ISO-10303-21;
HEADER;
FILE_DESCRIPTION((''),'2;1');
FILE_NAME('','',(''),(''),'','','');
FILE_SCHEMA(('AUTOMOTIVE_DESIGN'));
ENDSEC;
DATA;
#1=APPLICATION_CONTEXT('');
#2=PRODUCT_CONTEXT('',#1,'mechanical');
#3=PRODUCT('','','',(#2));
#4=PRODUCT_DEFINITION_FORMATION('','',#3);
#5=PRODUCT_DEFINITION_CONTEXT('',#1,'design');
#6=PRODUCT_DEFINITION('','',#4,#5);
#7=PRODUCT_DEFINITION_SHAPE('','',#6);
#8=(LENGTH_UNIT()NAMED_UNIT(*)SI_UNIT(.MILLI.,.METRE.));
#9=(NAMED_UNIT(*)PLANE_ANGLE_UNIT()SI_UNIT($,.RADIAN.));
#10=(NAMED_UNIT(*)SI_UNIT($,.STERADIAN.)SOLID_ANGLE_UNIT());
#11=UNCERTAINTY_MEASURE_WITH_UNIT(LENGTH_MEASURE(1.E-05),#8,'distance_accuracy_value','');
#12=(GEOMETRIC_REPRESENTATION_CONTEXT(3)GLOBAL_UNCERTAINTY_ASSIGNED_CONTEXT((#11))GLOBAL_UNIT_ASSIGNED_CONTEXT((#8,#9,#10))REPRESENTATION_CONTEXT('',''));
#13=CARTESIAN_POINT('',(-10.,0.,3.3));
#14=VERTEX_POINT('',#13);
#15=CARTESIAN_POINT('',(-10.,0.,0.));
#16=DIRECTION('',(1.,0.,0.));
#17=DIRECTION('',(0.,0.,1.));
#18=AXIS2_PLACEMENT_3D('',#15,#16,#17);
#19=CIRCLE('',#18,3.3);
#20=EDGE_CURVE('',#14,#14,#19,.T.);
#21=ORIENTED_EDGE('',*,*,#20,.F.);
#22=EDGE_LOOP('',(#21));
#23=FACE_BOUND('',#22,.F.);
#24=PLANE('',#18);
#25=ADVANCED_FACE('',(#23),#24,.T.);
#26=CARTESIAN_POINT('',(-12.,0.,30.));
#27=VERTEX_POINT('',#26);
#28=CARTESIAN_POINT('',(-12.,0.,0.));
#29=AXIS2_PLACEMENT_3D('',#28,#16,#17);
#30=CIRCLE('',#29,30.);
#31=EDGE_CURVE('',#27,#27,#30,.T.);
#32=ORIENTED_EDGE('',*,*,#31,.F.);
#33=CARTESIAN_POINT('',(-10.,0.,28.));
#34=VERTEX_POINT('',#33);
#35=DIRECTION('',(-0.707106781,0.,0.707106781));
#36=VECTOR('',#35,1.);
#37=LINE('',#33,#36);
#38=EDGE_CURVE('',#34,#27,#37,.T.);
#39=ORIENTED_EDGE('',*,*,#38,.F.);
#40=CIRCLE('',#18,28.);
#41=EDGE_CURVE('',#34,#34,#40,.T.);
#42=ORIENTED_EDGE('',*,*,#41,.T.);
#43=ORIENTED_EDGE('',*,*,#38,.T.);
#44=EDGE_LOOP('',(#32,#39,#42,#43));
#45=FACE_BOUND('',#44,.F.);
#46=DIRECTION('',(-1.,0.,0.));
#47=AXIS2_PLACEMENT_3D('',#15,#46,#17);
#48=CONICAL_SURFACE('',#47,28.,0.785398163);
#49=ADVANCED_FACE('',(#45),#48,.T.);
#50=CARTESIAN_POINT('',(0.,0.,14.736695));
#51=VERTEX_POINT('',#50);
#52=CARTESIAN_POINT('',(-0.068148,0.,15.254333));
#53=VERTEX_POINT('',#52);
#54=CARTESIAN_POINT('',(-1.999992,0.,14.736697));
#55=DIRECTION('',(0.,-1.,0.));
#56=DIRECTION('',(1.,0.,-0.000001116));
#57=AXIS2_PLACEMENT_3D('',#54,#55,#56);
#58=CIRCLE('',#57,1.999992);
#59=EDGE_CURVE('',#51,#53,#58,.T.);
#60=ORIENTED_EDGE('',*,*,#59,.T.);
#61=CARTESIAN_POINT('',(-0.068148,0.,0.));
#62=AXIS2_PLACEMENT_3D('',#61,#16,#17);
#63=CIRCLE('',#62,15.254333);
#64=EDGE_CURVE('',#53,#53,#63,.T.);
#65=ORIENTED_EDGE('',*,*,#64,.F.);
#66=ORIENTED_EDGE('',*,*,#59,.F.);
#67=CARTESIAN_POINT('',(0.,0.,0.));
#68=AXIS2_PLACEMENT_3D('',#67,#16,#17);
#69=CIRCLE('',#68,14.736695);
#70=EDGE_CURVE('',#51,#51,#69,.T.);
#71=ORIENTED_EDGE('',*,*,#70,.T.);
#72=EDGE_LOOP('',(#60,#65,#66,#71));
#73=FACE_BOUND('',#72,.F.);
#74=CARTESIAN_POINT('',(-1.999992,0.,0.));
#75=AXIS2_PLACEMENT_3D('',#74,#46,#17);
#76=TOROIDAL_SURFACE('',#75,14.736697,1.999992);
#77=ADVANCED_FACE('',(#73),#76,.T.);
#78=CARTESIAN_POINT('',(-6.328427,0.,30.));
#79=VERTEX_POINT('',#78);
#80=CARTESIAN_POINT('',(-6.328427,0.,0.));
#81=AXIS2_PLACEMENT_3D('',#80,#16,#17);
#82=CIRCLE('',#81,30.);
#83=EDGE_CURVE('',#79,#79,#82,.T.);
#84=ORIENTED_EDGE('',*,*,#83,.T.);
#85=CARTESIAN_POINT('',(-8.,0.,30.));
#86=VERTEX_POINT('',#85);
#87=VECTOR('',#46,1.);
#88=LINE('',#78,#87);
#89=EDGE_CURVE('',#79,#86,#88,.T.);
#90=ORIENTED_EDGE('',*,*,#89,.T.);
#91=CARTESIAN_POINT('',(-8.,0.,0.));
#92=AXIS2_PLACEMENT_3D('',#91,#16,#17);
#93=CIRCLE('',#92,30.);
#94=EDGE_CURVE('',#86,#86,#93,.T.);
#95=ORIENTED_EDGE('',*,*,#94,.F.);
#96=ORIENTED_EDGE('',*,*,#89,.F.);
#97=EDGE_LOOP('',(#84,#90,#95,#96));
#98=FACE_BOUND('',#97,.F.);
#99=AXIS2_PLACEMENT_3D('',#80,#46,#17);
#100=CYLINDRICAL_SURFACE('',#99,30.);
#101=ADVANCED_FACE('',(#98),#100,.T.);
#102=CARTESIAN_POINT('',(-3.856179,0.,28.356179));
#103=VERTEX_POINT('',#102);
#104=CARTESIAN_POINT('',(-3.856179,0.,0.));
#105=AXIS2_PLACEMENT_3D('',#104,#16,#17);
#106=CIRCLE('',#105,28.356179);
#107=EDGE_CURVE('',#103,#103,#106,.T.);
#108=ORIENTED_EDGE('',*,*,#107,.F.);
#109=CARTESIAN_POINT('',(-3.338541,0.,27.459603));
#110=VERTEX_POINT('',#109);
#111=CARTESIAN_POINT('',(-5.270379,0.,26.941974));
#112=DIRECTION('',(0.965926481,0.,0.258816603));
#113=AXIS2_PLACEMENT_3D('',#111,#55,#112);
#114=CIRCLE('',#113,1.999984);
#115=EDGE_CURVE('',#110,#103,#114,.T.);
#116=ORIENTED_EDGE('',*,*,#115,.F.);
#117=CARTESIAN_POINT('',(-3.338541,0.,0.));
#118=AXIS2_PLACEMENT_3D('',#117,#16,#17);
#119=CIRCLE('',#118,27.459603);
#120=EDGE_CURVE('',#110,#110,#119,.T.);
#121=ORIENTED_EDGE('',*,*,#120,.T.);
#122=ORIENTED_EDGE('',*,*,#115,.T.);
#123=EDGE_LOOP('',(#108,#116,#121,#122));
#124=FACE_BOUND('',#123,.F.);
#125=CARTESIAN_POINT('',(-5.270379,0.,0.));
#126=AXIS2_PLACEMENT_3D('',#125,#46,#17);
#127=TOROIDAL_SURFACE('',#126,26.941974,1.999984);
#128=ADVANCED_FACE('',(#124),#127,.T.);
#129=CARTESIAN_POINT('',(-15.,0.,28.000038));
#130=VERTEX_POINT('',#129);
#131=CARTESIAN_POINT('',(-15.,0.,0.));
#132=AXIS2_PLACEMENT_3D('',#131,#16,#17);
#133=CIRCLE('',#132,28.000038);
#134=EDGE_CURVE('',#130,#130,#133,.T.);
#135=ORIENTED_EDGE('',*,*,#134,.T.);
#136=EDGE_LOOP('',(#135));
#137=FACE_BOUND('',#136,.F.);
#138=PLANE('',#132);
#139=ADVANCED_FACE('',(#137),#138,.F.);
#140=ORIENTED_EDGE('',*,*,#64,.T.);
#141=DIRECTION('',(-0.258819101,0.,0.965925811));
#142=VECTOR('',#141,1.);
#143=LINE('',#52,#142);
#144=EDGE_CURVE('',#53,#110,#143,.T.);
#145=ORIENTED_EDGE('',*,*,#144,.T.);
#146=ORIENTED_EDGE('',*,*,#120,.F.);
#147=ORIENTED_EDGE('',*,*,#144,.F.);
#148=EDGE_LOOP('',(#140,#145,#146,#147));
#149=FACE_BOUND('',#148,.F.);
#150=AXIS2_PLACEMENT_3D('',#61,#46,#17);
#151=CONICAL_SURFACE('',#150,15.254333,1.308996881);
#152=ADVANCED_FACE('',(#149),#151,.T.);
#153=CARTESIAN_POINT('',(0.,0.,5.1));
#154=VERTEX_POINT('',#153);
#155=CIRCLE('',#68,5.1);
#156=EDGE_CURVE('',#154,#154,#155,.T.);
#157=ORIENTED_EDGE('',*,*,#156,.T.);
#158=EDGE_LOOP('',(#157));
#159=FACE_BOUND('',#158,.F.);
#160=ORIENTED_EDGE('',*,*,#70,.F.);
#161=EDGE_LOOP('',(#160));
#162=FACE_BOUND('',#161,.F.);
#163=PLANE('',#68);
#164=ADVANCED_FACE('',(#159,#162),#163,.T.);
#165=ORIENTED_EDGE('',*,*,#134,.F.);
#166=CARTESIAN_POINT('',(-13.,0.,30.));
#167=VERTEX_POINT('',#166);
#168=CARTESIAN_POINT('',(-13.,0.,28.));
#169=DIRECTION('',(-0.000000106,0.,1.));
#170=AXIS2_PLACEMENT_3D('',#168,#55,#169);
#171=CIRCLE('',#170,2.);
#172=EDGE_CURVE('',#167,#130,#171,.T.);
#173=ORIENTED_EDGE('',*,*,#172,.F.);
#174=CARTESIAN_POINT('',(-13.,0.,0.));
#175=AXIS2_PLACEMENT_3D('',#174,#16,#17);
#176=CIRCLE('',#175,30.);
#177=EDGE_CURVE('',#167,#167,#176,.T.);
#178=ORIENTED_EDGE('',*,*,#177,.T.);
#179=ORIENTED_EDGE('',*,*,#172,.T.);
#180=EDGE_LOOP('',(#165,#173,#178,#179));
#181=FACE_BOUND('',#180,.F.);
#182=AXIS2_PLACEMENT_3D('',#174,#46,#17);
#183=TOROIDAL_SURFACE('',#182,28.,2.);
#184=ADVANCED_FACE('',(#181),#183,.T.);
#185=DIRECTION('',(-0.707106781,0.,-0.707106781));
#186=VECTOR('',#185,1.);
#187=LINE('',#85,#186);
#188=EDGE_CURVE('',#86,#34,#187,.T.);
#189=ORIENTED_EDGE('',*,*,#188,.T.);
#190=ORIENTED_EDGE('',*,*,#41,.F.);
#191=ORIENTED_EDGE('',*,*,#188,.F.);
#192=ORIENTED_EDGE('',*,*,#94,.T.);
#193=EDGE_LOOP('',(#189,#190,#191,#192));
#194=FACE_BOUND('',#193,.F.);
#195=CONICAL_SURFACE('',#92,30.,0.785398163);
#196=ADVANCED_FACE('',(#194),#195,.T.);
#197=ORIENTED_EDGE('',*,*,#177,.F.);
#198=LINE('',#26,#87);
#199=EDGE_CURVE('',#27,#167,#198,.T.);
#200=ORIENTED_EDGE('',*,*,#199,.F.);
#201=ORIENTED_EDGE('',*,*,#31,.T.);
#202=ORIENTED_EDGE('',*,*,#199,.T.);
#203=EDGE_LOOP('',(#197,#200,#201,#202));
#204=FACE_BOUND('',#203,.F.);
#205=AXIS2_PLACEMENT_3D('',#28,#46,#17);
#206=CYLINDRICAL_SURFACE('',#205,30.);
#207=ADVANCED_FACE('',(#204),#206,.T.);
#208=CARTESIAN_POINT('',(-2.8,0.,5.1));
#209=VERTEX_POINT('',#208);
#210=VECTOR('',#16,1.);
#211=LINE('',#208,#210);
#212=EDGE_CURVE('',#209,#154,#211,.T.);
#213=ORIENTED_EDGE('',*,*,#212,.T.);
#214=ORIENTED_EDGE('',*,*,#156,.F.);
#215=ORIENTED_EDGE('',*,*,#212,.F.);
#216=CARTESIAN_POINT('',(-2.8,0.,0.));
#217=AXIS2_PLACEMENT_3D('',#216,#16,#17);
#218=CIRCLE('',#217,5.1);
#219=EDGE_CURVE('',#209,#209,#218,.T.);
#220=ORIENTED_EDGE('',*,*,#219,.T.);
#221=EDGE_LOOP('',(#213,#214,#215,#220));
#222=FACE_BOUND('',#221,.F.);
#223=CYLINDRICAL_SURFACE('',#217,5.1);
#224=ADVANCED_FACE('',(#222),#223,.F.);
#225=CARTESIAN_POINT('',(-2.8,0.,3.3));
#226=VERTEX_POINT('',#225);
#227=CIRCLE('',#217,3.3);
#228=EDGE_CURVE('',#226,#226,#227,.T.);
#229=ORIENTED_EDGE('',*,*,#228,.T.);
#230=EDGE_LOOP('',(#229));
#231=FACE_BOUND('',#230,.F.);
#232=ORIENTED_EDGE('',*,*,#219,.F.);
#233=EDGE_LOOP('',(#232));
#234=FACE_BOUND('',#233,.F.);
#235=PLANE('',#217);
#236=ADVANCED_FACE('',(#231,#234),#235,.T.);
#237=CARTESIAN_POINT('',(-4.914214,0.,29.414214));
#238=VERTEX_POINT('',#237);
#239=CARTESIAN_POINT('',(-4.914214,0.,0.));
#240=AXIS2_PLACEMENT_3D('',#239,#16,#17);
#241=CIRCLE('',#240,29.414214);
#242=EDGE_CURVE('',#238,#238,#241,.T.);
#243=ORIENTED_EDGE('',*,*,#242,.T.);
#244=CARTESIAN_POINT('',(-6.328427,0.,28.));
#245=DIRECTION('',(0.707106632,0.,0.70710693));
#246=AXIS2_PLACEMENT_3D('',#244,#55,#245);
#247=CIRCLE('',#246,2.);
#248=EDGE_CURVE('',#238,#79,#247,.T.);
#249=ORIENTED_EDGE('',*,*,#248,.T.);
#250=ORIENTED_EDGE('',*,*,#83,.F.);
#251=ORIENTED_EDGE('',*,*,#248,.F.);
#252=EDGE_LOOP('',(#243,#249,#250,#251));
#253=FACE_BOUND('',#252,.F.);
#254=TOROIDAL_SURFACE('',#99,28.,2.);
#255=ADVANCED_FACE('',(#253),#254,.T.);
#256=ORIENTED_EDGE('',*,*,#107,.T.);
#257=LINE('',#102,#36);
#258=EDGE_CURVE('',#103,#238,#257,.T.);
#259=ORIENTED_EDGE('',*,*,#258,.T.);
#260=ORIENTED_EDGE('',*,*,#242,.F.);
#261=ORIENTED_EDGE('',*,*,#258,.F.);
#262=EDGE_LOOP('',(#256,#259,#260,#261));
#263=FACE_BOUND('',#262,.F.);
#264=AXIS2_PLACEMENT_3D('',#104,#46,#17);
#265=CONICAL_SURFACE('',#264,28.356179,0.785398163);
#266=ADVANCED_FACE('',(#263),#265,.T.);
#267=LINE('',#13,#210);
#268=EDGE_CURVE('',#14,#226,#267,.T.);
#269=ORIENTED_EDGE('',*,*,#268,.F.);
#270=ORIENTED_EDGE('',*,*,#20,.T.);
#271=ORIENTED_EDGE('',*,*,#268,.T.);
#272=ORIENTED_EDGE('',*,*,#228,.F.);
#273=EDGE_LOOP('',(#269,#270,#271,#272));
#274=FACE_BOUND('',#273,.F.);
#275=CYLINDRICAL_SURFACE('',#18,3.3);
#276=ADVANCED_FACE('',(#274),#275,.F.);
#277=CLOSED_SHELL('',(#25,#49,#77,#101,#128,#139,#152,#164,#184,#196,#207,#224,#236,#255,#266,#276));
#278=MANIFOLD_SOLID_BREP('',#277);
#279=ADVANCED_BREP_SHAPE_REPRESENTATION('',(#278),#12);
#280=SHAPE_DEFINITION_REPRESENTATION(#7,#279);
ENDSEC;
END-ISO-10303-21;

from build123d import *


with BuildPart() as f1:
    # F0 (on Front) → F1 (revolve)
    with BuildSketch(Plane.XZ):
        with BuildLine():
            ThreePointArc((0, 14.736695), (-0.01711, 14.997747), (-0.068148, 15.254333))
            Line((-0.068148, 15.254333), (-3.338541, 27.459603))
            ThreePointArc((-3.338541, 27.459603), (-3.538341, 27.941965), (-3.856179, 28.356179))
            Line((-3.856179, 28.356179), (-4.914214, 29.414214))
            ThreePointArc((-4.914214, 29.414214), (-5.56306, 29.847759), (-6.328427, 30))
            Line((-6.328427, 30), (-8, 30))
            Line((-8, 30), (-10, 28))
            Line((-10, 28), (-12, 30))
            Line((-12, 30), (-13, 30))
            ThreePointArc((-13, 30), (-14.4142, 29.414227), (-15, 28.000038))
            Line((-15, 28.000038), (-15, 0))
            Line((-15, 0), (-10, 0))
            Line((-10, 0), (-10, 3.3))
            Line((-10, 3.3), (-2.8, 3.3))
            Line((-2.8, 3.3), (-2.8, 5.1))
            Line((-2.8, 5.1), (0, 5.1))
            Line((0, 5.1), (0, 14.736695))
        make_face()
    revolve(axis=Axis((-0.70766, 0, 0), (1, 0, 0)))


solid = f1.part
